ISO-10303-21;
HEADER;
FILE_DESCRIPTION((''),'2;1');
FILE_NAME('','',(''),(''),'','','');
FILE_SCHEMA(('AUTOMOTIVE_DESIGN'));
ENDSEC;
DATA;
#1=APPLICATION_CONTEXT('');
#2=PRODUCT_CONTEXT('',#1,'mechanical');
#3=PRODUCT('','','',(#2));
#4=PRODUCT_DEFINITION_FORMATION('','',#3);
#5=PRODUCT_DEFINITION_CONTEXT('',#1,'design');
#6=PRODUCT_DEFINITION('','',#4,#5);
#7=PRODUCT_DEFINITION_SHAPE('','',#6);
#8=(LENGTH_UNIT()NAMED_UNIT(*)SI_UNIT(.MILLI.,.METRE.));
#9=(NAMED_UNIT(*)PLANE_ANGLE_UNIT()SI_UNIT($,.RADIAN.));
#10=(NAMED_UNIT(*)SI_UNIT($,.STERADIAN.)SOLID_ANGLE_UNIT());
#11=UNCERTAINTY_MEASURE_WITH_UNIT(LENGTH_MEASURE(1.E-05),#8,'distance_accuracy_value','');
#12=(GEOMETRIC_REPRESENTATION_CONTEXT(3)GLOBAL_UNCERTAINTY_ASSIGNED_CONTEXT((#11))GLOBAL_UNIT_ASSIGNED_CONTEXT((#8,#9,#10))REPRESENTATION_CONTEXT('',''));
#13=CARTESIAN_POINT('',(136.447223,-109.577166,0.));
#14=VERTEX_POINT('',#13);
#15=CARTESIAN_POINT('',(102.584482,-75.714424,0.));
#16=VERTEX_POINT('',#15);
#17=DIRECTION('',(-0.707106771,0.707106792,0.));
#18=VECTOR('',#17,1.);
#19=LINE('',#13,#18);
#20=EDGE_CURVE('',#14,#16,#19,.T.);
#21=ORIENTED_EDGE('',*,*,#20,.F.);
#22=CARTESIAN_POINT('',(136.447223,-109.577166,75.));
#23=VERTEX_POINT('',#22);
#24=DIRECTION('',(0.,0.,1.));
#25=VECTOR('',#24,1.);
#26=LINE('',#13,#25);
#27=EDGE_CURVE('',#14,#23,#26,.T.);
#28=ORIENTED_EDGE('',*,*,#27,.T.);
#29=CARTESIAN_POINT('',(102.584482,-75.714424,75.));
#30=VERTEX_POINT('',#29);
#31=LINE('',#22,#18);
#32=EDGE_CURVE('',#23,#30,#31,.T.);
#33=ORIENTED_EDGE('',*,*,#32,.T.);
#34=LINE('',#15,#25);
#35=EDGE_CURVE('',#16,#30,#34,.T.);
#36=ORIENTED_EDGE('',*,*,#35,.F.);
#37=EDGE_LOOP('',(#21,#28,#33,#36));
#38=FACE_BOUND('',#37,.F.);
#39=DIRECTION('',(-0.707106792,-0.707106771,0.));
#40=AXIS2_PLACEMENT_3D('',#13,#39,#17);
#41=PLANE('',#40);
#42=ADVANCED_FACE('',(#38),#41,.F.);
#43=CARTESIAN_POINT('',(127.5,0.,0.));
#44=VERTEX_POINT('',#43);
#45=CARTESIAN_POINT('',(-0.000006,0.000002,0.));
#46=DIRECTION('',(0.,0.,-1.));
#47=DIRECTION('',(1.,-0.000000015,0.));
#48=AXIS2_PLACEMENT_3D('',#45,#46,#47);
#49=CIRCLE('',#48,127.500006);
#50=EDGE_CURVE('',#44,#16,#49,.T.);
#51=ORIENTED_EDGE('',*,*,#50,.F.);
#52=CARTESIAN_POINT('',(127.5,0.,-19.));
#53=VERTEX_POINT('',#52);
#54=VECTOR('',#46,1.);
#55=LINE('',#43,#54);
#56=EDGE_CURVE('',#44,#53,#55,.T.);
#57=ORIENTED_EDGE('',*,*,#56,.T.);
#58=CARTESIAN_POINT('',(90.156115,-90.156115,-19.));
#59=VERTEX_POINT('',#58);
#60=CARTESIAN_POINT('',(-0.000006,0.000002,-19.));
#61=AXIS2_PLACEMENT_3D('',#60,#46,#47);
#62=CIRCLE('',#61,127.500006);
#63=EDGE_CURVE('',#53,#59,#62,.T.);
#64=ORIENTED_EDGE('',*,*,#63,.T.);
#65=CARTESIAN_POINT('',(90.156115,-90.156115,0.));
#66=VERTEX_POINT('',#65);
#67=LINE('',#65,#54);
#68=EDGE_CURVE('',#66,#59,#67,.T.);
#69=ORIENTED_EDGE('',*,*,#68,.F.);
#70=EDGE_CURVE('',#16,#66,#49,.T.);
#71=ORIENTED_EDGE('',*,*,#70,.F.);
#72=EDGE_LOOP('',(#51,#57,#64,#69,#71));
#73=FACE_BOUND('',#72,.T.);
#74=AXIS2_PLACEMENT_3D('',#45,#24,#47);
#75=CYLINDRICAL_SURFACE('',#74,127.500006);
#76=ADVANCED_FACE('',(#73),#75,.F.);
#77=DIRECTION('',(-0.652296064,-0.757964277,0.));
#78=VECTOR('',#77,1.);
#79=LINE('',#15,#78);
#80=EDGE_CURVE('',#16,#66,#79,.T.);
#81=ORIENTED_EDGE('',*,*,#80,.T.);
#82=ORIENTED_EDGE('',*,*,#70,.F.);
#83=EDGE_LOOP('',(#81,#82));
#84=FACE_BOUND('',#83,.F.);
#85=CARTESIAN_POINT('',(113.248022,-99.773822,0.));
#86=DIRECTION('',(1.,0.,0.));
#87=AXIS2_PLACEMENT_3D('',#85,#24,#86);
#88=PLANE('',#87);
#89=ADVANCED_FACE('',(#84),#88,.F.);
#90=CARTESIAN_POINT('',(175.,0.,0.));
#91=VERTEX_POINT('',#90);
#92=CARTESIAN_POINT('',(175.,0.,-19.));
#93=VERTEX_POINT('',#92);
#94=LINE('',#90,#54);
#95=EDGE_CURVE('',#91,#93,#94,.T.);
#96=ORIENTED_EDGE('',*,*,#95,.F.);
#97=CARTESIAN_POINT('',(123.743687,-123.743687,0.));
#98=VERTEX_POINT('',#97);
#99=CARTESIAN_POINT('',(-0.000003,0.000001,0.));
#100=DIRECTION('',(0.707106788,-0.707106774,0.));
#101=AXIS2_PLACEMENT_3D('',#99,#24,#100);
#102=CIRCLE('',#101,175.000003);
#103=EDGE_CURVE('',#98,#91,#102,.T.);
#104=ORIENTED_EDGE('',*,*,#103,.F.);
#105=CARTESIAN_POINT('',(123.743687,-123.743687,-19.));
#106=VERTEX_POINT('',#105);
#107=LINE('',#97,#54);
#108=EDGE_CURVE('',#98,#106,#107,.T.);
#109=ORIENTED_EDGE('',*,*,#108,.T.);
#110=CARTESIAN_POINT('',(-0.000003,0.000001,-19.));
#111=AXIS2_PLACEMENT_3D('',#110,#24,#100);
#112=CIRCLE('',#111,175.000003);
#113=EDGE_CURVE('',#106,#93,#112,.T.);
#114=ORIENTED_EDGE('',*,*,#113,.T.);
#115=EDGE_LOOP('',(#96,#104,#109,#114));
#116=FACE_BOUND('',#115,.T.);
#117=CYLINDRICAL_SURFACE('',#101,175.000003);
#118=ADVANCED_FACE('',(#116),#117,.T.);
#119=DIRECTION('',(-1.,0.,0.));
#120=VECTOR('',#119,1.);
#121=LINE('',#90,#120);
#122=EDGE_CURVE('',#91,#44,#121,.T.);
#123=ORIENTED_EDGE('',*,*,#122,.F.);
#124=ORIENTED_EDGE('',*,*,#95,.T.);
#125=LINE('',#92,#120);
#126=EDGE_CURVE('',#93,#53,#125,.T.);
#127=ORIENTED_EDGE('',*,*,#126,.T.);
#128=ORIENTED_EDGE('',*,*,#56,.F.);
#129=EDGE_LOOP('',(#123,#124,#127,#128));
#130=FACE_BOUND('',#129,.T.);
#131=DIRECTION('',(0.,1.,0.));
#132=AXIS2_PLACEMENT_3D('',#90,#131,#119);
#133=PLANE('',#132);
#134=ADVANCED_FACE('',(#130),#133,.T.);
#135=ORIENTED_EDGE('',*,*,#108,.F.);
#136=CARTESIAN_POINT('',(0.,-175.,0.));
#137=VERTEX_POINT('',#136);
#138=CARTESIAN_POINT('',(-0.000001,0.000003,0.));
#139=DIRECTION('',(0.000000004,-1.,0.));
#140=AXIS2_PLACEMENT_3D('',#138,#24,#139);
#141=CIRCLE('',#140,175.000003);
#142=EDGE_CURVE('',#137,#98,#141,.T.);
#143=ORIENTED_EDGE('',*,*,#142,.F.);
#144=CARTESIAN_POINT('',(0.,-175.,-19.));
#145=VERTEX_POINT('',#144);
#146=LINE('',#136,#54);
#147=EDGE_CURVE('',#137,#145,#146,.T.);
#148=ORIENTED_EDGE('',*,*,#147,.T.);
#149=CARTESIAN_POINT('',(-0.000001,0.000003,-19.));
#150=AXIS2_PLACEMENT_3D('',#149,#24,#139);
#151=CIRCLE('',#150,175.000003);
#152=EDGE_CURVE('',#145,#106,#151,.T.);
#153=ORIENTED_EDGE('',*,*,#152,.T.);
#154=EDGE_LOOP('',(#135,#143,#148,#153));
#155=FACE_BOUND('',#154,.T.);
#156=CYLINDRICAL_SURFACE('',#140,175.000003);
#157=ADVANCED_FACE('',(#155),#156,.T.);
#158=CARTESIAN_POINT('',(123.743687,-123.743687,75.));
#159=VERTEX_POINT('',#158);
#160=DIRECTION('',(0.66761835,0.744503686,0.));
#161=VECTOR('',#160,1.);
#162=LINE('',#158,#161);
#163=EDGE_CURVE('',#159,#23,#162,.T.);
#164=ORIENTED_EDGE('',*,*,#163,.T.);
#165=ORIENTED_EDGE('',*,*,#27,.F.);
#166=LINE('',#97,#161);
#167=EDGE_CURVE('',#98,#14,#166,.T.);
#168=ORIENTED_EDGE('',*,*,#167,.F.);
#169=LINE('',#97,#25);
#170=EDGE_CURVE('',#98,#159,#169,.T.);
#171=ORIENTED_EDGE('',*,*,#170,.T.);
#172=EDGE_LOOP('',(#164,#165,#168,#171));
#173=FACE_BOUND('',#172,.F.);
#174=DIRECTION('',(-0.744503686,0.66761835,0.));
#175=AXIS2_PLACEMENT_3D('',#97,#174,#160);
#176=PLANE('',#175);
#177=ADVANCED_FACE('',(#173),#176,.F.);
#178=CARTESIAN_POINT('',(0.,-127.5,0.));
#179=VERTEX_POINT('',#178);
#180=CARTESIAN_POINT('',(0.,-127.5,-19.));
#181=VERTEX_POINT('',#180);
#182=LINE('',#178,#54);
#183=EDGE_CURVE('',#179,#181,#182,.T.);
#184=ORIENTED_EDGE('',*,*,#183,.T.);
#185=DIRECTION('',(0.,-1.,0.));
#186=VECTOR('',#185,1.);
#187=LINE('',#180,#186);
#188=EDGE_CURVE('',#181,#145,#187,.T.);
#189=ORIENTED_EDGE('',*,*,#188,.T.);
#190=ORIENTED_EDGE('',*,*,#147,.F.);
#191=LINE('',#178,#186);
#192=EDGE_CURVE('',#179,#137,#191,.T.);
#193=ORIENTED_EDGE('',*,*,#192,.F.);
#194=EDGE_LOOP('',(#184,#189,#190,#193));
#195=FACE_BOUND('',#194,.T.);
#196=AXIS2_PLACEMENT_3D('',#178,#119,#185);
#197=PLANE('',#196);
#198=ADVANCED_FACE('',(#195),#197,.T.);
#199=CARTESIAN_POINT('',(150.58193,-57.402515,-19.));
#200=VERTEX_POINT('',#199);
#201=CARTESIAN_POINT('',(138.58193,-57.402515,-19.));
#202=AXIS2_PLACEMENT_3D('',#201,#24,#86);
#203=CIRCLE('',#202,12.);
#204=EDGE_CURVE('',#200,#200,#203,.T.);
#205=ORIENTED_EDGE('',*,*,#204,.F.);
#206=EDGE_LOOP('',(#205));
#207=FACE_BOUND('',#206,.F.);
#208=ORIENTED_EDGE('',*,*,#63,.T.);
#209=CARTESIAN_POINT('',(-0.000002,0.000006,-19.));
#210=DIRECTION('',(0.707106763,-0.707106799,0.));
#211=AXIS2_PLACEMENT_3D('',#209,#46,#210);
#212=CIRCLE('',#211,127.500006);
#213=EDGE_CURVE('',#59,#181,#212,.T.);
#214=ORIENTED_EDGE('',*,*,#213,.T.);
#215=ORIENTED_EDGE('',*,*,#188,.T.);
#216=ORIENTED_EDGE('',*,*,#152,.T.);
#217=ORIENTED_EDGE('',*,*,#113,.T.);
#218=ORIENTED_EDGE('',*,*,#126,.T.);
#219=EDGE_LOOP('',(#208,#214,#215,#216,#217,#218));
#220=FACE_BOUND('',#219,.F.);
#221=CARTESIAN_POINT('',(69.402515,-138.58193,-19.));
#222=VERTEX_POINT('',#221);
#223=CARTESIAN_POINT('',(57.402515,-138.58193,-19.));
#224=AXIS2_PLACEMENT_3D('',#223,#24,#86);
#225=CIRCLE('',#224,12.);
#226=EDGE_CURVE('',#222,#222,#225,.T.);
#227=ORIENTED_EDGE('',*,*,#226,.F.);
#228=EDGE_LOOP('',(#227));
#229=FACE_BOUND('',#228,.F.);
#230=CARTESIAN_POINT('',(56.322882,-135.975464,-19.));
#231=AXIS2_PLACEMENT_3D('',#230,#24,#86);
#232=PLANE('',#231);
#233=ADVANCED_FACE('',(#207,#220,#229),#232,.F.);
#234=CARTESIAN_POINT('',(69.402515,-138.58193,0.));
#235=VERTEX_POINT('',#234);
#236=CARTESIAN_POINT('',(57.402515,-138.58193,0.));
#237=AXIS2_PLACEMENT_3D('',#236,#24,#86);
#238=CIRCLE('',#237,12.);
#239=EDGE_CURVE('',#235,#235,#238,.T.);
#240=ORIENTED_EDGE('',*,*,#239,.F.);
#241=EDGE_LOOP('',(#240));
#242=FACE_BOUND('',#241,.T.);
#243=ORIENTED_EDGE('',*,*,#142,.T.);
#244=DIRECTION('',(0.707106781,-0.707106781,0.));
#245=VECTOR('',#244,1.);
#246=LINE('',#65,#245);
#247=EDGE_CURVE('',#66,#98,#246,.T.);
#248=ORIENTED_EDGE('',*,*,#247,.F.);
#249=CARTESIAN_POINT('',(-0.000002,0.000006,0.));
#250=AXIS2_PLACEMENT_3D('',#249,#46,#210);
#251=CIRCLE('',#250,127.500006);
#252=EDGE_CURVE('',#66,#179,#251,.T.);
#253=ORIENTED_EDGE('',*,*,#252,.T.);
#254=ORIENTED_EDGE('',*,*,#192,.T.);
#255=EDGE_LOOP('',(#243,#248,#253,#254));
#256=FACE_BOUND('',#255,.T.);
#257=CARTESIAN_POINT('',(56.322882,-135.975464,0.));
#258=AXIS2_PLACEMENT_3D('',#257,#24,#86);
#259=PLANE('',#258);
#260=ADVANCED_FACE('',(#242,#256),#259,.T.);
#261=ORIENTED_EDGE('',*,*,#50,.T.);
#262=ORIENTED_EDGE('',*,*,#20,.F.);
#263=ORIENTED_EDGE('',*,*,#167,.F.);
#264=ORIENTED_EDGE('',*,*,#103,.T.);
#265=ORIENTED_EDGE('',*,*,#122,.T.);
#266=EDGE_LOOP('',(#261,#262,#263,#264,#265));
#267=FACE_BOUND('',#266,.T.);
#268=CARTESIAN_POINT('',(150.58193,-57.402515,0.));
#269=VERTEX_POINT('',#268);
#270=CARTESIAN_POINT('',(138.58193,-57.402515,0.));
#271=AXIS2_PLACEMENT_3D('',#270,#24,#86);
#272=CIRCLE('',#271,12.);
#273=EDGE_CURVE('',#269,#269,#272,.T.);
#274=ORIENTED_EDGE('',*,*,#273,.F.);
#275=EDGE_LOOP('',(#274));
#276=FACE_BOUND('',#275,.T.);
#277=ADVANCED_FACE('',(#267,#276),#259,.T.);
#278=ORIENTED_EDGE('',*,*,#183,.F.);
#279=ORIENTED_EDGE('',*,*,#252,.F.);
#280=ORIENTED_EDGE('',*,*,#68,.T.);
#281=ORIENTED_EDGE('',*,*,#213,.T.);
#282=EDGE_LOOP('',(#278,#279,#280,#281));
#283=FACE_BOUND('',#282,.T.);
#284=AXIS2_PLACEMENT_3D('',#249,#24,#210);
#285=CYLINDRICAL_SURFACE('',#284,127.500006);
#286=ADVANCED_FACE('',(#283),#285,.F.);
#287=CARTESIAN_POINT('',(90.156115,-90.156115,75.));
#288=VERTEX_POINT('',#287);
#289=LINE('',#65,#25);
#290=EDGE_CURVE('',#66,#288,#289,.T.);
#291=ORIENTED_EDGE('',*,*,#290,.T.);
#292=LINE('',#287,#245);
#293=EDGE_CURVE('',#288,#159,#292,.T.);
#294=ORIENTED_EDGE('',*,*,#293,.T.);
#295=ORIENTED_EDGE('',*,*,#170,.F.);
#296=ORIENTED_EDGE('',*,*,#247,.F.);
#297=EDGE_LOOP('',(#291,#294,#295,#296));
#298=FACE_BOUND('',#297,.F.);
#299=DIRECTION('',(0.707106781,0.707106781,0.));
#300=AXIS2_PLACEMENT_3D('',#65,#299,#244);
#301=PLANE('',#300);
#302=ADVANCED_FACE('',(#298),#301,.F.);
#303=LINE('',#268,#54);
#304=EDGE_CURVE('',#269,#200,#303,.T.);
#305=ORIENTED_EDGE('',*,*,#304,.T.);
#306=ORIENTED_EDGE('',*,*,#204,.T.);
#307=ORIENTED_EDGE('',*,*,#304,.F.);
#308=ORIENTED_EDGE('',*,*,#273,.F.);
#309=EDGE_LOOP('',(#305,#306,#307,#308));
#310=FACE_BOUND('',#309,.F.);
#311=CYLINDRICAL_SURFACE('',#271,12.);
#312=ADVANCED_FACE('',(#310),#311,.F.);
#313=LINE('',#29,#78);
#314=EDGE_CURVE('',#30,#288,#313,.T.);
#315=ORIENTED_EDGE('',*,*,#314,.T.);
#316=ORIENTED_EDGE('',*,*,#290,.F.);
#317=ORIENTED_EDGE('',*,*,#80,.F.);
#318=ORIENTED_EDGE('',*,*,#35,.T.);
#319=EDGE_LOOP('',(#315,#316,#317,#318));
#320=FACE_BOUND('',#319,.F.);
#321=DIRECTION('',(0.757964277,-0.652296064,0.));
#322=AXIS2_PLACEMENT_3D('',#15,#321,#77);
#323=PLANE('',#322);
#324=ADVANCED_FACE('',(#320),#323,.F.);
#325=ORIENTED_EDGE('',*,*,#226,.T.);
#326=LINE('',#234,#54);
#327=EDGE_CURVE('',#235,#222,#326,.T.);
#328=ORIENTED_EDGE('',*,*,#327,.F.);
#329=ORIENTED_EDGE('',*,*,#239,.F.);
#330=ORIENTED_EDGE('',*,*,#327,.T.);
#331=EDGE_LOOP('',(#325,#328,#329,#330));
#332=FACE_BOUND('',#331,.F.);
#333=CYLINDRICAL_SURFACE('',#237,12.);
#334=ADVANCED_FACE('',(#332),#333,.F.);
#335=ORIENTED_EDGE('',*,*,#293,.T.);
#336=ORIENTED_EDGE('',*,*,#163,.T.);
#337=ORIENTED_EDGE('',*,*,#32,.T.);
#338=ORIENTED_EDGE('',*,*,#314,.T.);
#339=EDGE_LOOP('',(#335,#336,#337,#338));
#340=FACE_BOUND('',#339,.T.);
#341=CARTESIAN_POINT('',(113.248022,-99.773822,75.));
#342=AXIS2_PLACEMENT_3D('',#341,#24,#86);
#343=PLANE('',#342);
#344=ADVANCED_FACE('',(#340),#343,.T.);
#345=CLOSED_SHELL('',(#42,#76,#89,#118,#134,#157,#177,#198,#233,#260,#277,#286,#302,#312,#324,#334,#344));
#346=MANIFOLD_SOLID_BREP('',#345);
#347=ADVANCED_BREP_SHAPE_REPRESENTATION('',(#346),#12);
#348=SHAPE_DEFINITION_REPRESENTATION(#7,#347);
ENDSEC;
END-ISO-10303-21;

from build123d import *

# Parameters (mm, degrees)
F0_R     = 12
F1_DEPTH = 19
F3_DEPTH = 75


with BuildPart() as f1:
    # F0 (on Top) → F1 (new body)
    with BuildSketch(Plane.XY):
        with BuildLine():
            ThreePointArc((90.156115, -90.156115), (48.792138, -117.79464), (0, -127.5))
            Line((0, -127.5), (0, -175))
            ThreePointArc((0, -175), (66.969601, -161.678918), (123.743687, -123.743687))
            Line((123.743687, -123.743687), (90.156115, -90.156115))
        make_face()
        with Locations((57.402515, -138.58193)):
            Circle(F0_R, mode=Mode.SUBTRACT)
        with BuildLine():
            ThreePointArc((127.5, 0), (117.79464, -48.792138), (90.156115, -90.156115))
            Line((90.156115, -90.156115), (123.743687, -123.743687))
            ThreePointArc((123.743687, -123.743687), (161.678918, -66.969601), (175, 0))
            Line((175, 0), (127.5, 0))
        make_face()
        with Locations((138.58193, -57.402515)):
            Circle(F0_R, mode=Mode.SUBTRACT)
    extrude(amount=-F1_DEPTH)

    # F2 (on face) → F3 (join)
    with BuildSketch(Plane.XY):
        Polygon((102.584482, -75.714424), (90.156115, -90.156115), (123.743687, -123.743687), (136.447223, -109.577166), align=None)
    extrude(amount=F3_DEPTH)


solid = f1.part
